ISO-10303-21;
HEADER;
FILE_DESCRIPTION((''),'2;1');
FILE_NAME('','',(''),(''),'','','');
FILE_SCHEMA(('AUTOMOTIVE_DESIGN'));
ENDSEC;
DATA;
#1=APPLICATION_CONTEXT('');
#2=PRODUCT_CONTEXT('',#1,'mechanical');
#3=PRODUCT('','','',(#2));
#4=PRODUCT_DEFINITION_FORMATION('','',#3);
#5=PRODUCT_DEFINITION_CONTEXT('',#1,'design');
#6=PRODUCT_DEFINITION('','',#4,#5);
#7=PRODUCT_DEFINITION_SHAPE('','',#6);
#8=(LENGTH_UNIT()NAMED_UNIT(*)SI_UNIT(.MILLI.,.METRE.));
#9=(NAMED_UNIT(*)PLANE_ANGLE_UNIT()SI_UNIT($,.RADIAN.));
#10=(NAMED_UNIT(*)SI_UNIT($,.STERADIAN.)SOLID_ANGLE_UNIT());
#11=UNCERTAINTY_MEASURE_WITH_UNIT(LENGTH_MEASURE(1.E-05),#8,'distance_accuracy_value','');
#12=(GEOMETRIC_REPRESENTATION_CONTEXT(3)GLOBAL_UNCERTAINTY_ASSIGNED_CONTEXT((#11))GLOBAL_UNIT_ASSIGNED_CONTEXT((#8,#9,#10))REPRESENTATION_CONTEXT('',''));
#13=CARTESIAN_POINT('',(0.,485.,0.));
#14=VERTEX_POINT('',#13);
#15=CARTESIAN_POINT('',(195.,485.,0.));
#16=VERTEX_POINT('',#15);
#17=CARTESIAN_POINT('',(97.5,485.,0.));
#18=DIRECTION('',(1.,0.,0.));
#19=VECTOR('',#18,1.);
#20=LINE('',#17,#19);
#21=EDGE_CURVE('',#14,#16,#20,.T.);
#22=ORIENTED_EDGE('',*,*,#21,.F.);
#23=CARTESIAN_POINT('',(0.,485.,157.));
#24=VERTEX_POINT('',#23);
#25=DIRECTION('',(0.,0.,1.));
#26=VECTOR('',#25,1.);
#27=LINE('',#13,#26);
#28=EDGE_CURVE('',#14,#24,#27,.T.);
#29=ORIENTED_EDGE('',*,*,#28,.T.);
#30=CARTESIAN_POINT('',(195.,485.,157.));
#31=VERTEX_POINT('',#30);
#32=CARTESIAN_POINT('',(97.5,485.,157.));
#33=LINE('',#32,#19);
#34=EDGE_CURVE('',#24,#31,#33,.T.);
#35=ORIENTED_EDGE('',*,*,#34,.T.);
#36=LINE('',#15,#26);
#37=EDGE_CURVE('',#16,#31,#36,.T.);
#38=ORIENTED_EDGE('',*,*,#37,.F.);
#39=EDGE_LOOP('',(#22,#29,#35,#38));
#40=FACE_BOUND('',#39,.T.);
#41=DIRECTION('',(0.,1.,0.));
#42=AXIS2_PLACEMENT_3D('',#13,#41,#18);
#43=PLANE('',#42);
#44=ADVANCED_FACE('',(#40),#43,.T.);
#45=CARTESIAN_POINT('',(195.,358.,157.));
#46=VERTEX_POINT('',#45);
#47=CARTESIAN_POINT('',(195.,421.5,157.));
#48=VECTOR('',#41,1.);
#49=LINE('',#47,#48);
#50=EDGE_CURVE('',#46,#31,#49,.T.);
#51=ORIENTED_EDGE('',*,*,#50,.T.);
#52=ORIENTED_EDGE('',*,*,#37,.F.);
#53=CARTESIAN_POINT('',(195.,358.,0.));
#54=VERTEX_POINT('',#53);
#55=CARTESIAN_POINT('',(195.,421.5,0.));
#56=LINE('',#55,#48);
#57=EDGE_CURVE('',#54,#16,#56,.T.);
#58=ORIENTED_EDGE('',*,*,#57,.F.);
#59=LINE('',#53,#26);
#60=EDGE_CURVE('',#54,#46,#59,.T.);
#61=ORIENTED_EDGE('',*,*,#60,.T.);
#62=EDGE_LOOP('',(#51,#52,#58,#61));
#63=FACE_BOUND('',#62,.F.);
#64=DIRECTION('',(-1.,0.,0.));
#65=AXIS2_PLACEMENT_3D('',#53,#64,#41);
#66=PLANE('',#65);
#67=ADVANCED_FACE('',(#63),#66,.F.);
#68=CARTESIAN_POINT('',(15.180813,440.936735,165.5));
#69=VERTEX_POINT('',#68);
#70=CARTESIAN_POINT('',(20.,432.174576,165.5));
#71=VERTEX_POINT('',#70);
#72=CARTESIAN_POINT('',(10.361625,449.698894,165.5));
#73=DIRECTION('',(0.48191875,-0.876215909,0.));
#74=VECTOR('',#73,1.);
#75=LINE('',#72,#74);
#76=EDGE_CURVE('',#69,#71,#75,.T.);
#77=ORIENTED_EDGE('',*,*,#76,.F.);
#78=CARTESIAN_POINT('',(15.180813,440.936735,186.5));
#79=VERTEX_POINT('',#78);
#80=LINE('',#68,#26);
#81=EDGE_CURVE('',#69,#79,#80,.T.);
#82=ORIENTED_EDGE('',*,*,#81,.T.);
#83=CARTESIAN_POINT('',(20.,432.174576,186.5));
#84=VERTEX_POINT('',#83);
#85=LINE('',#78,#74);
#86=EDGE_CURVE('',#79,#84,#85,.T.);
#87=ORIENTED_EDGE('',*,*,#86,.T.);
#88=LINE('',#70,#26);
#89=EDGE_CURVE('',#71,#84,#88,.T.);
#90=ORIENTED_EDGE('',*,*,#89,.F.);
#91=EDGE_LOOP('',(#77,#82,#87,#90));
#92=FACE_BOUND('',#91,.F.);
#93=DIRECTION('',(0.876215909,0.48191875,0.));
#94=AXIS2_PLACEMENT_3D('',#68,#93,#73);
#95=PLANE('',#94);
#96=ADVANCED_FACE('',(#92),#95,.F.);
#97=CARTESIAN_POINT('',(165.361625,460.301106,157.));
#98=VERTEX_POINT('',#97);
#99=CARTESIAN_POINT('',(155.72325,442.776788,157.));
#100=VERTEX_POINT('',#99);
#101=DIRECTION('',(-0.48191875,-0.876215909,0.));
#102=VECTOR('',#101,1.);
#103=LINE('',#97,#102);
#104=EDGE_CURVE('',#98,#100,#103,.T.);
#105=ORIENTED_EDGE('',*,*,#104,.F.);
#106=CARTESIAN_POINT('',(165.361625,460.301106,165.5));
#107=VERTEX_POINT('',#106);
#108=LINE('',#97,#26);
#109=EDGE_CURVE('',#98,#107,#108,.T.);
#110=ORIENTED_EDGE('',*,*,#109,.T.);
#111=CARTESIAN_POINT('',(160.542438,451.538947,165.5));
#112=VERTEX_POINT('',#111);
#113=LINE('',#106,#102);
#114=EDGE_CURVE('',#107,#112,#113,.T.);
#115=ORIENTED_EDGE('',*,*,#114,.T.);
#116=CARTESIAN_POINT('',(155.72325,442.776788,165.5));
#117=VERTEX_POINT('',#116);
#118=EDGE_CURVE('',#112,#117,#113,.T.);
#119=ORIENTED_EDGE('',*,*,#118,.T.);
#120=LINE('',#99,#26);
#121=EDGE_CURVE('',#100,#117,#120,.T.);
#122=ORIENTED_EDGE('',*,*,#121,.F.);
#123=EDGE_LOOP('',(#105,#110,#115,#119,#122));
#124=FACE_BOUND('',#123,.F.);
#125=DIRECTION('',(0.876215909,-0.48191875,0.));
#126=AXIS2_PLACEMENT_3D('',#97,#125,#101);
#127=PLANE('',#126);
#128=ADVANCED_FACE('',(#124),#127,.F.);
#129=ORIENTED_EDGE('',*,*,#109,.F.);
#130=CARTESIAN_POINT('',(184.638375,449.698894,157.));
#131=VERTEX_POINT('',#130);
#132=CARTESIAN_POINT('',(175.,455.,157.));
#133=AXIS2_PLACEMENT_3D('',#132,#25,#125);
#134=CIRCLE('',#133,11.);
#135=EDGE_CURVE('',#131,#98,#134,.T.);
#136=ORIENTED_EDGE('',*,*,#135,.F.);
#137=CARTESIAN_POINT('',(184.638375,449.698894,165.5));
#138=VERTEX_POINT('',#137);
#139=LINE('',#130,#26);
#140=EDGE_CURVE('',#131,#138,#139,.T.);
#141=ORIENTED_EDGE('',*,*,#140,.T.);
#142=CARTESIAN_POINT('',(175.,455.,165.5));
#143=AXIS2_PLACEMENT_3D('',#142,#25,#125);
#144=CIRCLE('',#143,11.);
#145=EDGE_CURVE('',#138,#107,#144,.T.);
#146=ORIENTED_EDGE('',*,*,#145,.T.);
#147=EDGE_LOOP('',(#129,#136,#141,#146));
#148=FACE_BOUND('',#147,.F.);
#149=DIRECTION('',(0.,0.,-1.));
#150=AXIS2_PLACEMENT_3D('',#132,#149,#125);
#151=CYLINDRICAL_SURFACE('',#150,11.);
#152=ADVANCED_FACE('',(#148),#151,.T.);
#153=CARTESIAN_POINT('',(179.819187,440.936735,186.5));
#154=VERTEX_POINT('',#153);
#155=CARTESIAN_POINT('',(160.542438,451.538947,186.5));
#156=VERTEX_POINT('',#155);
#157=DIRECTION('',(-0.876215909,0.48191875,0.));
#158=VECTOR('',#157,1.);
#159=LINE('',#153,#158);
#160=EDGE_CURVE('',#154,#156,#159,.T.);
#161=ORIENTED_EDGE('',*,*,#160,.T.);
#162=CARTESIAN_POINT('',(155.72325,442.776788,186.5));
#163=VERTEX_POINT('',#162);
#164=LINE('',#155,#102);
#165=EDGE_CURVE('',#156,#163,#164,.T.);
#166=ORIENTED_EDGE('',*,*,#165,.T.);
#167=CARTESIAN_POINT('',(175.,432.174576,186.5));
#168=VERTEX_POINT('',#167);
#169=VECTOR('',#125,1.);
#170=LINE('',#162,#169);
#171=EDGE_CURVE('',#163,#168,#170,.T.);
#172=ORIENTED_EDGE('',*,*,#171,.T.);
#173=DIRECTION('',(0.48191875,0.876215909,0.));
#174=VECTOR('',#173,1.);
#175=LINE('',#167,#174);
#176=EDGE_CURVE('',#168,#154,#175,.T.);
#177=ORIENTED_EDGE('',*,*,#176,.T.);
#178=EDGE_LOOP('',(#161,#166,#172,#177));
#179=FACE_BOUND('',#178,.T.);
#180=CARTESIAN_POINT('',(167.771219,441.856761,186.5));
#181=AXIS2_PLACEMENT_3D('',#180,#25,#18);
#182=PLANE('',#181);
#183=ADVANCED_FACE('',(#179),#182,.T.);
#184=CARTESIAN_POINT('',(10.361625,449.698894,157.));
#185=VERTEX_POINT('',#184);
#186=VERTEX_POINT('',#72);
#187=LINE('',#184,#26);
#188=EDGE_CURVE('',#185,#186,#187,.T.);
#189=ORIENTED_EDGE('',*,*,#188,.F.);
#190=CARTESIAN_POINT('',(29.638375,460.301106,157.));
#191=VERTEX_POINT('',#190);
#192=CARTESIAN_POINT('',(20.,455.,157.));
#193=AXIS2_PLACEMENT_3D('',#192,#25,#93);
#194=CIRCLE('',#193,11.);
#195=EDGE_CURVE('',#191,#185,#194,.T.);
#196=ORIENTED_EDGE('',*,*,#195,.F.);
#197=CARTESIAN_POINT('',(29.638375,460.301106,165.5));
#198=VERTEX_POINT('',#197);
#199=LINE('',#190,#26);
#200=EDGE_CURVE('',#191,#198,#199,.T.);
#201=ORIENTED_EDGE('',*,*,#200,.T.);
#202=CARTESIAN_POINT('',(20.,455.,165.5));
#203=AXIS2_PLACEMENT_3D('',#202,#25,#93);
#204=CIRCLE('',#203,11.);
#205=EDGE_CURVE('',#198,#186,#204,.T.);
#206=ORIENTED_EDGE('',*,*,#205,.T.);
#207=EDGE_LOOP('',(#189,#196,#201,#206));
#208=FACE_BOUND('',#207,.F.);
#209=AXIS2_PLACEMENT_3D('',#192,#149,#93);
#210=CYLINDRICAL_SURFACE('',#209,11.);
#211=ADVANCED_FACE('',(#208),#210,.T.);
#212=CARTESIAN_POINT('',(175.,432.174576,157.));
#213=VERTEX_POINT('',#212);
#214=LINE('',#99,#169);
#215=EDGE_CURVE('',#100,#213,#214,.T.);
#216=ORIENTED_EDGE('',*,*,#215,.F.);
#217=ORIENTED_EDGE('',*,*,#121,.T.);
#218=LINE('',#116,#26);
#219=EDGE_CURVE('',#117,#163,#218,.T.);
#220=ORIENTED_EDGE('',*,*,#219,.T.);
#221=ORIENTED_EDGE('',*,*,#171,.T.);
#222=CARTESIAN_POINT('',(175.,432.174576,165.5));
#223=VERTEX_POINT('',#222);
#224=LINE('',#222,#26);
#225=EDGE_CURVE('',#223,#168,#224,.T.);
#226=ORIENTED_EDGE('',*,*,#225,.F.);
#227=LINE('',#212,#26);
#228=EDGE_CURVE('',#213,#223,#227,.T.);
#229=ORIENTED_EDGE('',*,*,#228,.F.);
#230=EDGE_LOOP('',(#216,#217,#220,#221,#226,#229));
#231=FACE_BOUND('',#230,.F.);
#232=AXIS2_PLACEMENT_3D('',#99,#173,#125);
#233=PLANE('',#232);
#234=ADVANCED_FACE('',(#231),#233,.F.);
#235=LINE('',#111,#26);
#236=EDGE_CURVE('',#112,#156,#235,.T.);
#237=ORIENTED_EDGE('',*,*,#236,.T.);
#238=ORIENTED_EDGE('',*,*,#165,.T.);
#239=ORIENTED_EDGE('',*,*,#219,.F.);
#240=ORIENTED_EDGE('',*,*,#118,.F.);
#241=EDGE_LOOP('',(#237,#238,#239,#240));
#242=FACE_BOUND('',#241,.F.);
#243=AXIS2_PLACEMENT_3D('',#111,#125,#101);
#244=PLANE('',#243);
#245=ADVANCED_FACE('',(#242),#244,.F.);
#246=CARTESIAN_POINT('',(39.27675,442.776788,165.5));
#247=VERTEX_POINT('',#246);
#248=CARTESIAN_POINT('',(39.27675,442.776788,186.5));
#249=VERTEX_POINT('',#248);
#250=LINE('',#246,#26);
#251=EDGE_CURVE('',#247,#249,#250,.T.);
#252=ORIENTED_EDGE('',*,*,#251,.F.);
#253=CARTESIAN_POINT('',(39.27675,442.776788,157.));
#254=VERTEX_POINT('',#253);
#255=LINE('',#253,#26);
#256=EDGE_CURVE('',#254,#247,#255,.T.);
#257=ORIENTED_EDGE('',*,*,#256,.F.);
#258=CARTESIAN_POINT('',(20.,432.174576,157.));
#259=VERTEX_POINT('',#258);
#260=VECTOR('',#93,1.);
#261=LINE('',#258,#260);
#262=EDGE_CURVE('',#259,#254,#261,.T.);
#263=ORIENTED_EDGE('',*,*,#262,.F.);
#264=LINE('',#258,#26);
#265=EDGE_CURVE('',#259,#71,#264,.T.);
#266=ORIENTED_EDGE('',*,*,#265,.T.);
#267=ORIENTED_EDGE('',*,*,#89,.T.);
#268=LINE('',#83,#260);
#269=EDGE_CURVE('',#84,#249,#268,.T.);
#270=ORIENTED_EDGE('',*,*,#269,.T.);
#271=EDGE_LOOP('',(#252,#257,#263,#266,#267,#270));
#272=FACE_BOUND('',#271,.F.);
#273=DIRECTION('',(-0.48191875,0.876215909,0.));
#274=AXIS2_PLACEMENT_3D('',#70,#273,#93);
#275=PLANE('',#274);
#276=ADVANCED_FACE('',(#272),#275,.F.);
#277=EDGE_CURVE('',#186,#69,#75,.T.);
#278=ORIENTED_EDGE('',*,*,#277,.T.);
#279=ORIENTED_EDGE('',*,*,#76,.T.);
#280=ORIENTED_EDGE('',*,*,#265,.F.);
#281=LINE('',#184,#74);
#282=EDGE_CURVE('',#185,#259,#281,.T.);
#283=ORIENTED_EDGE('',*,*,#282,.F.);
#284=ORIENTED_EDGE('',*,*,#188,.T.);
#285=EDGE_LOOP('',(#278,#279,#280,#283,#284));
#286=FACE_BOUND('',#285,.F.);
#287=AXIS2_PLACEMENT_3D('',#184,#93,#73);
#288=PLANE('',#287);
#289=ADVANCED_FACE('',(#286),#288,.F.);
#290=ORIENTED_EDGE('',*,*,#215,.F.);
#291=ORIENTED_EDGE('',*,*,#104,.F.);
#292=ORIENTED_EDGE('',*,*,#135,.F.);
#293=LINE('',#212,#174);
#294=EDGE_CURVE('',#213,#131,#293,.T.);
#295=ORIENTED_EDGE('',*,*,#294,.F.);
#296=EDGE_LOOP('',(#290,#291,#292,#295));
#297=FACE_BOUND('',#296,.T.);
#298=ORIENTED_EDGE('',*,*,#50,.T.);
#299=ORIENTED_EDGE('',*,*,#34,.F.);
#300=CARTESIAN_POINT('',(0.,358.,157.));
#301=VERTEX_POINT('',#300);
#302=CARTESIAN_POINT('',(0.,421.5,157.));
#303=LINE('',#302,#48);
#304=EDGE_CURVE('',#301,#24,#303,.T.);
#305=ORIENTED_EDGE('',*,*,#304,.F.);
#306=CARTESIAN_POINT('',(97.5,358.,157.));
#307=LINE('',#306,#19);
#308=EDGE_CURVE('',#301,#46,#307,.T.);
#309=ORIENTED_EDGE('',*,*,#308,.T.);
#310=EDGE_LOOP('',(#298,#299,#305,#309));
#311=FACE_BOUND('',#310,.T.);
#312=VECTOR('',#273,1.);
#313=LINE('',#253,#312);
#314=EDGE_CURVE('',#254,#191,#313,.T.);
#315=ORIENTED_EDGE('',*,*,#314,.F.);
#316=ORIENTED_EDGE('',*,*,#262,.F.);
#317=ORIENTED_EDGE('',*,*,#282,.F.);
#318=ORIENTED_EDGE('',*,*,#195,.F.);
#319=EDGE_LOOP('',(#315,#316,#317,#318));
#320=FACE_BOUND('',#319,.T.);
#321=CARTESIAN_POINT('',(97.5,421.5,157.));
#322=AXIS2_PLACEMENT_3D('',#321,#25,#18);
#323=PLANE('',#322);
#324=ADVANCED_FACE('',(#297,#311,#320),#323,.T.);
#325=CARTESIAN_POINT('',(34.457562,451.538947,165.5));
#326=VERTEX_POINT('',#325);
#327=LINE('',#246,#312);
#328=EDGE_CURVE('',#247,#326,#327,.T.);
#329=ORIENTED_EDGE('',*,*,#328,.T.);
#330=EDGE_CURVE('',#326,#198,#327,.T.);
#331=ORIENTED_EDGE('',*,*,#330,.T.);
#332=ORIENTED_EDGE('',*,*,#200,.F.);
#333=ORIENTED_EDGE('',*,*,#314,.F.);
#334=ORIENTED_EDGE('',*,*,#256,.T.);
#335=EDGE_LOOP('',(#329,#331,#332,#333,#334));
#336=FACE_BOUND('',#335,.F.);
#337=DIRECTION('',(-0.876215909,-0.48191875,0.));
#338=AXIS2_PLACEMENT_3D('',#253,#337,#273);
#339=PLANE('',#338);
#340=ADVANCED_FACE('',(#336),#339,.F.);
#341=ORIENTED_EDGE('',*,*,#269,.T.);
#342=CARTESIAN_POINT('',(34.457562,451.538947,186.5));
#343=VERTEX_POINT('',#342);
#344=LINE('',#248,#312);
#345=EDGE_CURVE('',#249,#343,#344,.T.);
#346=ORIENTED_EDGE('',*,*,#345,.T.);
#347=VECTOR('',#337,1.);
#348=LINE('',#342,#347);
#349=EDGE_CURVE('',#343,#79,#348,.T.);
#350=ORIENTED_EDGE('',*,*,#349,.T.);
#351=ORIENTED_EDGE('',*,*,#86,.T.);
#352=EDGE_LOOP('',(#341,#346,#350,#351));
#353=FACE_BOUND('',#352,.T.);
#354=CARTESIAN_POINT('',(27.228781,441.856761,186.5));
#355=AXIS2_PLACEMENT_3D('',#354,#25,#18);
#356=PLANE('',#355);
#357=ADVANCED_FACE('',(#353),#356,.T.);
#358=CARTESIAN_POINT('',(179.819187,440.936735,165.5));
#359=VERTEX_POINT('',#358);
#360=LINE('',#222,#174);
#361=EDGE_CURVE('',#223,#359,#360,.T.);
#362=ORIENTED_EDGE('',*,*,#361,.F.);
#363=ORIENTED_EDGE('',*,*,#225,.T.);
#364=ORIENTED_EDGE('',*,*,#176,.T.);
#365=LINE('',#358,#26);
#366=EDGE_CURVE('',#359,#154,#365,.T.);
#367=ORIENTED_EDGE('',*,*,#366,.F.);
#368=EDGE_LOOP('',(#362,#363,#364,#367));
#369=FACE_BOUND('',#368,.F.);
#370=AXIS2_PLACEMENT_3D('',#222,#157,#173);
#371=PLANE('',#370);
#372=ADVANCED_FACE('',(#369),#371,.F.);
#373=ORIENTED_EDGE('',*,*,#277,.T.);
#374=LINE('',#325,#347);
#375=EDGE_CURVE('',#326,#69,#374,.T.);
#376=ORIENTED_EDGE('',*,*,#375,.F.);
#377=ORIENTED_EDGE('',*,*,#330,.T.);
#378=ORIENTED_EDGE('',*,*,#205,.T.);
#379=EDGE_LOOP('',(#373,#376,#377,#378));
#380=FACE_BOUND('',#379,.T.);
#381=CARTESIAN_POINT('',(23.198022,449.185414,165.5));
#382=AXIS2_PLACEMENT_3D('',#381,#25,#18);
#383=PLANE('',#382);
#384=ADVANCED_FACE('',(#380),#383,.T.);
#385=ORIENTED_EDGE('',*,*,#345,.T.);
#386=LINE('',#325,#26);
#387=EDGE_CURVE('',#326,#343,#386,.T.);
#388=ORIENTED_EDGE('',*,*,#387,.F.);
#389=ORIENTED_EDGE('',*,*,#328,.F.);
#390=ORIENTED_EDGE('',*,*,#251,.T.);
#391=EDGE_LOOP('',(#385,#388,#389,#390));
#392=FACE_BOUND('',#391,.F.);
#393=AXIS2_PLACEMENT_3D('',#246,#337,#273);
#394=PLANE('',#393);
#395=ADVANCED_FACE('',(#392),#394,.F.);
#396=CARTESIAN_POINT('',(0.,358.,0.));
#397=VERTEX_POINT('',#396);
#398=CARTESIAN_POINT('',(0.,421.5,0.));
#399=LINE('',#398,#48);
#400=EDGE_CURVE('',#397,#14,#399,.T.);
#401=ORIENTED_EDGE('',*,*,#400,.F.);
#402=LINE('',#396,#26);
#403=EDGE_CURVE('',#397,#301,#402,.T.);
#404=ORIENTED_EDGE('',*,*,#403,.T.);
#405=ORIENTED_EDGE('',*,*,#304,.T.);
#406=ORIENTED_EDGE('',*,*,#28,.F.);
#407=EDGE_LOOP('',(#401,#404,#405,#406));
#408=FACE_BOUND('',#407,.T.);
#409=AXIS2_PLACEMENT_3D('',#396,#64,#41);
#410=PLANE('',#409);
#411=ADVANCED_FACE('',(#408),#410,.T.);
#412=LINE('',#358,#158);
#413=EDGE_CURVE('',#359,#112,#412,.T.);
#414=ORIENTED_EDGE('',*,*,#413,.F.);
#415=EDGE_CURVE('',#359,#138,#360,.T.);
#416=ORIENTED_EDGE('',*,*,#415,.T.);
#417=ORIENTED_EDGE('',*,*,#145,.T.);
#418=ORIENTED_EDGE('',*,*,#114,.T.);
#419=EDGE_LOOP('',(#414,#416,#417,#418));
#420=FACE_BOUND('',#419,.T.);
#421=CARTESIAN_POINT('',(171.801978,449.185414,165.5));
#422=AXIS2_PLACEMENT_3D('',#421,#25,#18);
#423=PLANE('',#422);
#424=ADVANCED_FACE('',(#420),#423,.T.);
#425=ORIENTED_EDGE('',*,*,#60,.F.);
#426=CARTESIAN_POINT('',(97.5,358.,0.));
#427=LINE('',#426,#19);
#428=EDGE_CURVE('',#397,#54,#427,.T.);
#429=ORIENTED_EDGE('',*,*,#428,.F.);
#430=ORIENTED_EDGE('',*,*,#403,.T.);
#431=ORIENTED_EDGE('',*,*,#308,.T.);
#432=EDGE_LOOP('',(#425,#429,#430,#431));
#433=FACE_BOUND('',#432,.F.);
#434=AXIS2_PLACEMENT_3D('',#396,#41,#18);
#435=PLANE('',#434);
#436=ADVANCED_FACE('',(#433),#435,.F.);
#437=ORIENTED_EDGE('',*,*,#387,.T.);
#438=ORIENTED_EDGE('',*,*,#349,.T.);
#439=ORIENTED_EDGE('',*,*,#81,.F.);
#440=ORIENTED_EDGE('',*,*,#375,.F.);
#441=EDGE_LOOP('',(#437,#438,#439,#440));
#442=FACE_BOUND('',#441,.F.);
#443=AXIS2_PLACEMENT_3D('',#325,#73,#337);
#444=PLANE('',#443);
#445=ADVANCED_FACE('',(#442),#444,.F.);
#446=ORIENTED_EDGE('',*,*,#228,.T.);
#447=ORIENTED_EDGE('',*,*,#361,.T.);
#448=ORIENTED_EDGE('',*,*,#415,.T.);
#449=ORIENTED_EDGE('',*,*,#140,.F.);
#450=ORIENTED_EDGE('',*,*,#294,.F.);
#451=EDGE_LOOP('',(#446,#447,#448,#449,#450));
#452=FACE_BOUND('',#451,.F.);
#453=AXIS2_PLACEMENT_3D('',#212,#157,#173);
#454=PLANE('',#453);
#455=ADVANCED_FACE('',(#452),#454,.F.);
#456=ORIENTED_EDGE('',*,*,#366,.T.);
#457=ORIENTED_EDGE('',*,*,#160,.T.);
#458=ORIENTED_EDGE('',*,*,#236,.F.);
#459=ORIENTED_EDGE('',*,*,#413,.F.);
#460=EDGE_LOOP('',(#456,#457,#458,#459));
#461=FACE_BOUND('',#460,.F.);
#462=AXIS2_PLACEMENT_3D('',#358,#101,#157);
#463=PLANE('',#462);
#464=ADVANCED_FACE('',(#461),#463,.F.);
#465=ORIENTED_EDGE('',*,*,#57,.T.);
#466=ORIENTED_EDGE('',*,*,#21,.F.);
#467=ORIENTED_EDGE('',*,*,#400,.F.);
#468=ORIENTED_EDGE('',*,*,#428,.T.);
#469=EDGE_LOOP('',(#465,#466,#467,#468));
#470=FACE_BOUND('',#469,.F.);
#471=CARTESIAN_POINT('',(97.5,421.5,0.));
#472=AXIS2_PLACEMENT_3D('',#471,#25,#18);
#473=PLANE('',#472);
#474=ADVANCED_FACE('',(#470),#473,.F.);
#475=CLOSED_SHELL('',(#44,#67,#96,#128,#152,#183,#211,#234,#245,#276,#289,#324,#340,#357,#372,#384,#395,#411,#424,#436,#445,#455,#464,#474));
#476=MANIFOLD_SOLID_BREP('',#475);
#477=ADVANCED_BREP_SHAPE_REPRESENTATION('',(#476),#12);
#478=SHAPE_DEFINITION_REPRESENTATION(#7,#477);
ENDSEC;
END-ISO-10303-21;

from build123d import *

# Parameters (mm, degrees)
SKETCH016_W  = 195
SKETCH016_H  = 127
PAD012_DEPTH = 157
PAD013_DEPTH = 8.5
PAD014_DEPTH = 21


with BuildPart() as part:
    # Sketch016 → Pad012 (new body)
    with BuildSketch(Plane.XY):
        with Locations((97.5, -63.5)):
            Rectangle(SKETCH016_W, SKETCH016_H)
    extrude(amount=PAD012_DEPTH)

    # Sketch017 (on Face6 of Pad012) → Pad013 (join)
    with BuildSketch(Plane.XY.offset(157)):
        with BuildLine():
            ThreePointArc((29.6383749954, -24.6988937525), (14.6988937525, -20.3616250046), (10.3616250046, -35.3011062475))
            Line((10.3616250046, -35.3011062475), (20, -52.825424421))
            Line((20, -52.825424421), (39.2767499909, -42.223211926))
            Line((39.2767499909, -42.223211926), (29.6383749954, -24.6988937525))
        make_face()
        with BuildLine():
            Line((175, -52.825424421), (184.6383749954, -35.3011062475))
            ThreePointArc((184.6383749954, -35.3011062475), (180.3011062475, -20.3616250046), (165.3616250046, -24.6988937525))
            Line((165.3616250046, -24.6988937525), (155.7232500091, -42.223211926))
            Line((155.7232500091, -42.223211926), (175, -52.825424421))
        make_face()
    extrude(amount=PAD013_DEPTH)

    # Sketch018 (on Face15 of Pad013) → Pad014 (join)
    with BuildSketch(Plane.XY.offset(165.5)):
        Polygon((20, -52.825424421), (39.2767499909, -42.223211926), (34.4575624932, -33.4610528393), (15.1808125023, -44.0632653343), align=None)
        Polygon((155.7232500091, -42.223211926), (175, -52.825424421), (179.8191874977, -44.0632653343), (160.5424375068, -33.4610528393), align=None)
    extrude(amount=PAD014_DEPTH)


with BuildPart() as part_1:
    # Body005 placement: moved
    add(part.part.moved(Location((0, 485, 0))))


solid = part_1.part
